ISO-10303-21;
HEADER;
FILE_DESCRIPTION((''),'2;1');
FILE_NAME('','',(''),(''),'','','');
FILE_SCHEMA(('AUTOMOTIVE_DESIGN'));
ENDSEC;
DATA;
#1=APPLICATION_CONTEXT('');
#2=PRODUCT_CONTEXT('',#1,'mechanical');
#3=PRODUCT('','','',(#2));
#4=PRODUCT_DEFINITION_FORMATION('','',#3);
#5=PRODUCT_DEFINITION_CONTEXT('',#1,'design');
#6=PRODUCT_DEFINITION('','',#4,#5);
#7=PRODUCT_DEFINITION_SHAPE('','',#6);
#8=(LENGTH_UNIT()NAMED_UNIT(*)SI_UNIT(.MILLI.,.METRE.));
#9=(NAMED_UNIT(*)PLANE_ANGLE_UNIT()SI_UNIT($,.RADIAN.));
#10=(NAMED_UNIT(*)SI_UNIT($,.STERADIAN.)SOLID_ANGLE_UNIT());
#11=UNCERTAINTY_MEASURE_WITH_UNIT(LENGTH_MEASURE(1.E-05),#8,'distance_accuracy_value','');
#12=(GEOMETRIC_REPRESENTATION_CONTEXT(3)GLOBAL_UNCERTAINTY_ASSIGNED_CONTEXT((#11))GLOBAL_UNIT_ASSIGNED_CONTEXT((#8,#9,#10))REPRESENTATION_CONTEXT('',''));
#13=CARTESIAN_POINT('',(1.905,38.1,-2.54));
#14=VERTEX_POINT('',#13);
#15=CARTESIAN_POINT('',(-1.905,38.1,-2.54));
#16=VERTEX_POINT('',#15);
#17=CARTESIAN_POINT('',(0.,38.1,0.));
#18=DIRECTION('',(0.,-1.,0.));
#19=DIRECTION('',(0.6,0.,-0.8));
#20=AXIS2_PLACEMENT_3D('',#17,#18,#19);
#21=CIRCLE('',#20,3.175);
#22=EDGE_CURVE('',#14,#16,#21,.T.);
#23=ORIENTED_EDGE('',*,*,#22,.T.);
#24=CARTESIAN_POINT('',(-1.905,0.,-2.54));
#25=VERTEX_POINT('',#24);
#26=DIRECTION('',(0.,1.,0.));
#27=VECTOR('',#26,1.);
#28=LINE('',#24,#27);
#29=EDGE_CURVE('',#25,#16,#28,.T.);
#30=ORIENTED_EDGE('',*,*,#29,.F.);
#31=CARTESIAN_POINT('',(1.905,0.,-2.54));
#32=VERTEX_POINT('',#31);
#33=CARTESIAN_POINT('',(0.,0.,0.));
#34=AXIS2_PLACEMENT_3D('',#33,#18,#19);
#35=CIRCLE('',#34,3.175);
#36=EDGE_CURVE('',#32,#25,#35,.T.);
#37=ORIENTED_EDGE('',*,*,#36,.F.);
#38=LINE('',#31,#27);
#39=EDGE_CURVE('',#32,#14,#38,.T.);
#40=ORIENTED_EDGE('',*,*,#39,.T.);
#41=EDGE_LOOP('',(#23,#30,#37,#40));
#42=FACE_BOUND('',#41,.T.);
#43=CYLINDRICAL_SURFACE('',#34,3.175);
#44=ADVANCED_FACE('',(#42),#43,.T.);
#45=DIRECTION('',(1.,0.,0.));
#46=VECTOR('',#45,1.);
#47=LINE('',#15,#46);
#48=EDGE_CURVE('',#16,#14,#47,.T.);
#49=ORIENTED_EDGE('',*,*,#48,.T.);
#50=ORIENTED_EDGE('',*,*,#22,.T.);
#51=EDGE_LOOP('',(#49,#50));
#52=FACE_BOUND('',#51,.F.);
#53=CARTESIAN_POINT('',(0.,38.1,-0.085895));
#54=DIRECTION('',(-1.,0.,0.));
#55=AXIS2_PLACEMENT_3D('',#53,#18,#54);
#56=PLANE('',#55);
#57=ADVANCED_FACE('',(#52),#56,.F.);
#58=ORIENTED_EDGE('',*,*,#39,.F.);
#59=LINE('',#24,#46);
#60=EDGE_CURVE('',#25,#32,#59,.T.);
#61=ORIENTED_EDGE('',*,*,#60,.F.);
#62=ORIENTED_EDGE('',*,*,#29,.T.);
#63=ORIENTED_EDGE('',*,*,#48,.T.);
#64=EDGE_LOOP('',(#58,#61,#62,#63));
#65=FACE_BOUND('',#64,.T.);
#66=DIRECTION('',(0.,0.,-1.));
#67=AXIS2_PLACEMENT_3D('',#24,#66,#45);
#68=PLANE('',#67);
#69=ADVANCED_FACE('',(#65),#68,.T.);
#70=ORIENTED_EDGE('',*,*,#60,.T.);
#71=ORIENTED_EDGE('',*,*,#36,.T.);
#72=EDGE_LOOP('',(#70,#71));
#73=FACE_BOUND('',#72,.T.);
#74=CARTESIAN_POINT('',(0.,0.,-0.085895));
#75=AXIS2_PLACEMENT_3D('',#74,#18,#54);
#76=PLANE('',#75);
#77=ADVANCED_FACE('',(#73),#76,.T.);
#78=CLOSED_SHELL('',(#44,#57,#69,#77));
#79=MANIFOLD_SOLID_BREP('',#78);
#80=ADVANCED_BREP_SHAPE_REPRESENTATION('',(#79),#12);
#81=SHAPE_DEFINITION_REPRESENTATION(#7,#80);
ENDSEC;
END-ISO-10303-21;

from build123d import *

# Parameters (mm, degrees)
BOSS_EXTRUDE1_DEPTH = 38.1


with BuildPart() as part:
    # Sketch1 → Boss-Extrude1 (new body)
    with BuildSketch(Plane(origin=(0, 0, 0), x_dir=(1, 0, 0), z_dir=(0, 1, 0))):
        with BuildLine():
            Line((-1.905, 2.54), (1.905, 2.54))
            ThreePointArc((1.905, 2.54), (0, -3.175), (-1.905, 2.54))
        make_face()
    extrude(amount=BOSS_EXTRUDE1_DEPTH)


solid = part.part
